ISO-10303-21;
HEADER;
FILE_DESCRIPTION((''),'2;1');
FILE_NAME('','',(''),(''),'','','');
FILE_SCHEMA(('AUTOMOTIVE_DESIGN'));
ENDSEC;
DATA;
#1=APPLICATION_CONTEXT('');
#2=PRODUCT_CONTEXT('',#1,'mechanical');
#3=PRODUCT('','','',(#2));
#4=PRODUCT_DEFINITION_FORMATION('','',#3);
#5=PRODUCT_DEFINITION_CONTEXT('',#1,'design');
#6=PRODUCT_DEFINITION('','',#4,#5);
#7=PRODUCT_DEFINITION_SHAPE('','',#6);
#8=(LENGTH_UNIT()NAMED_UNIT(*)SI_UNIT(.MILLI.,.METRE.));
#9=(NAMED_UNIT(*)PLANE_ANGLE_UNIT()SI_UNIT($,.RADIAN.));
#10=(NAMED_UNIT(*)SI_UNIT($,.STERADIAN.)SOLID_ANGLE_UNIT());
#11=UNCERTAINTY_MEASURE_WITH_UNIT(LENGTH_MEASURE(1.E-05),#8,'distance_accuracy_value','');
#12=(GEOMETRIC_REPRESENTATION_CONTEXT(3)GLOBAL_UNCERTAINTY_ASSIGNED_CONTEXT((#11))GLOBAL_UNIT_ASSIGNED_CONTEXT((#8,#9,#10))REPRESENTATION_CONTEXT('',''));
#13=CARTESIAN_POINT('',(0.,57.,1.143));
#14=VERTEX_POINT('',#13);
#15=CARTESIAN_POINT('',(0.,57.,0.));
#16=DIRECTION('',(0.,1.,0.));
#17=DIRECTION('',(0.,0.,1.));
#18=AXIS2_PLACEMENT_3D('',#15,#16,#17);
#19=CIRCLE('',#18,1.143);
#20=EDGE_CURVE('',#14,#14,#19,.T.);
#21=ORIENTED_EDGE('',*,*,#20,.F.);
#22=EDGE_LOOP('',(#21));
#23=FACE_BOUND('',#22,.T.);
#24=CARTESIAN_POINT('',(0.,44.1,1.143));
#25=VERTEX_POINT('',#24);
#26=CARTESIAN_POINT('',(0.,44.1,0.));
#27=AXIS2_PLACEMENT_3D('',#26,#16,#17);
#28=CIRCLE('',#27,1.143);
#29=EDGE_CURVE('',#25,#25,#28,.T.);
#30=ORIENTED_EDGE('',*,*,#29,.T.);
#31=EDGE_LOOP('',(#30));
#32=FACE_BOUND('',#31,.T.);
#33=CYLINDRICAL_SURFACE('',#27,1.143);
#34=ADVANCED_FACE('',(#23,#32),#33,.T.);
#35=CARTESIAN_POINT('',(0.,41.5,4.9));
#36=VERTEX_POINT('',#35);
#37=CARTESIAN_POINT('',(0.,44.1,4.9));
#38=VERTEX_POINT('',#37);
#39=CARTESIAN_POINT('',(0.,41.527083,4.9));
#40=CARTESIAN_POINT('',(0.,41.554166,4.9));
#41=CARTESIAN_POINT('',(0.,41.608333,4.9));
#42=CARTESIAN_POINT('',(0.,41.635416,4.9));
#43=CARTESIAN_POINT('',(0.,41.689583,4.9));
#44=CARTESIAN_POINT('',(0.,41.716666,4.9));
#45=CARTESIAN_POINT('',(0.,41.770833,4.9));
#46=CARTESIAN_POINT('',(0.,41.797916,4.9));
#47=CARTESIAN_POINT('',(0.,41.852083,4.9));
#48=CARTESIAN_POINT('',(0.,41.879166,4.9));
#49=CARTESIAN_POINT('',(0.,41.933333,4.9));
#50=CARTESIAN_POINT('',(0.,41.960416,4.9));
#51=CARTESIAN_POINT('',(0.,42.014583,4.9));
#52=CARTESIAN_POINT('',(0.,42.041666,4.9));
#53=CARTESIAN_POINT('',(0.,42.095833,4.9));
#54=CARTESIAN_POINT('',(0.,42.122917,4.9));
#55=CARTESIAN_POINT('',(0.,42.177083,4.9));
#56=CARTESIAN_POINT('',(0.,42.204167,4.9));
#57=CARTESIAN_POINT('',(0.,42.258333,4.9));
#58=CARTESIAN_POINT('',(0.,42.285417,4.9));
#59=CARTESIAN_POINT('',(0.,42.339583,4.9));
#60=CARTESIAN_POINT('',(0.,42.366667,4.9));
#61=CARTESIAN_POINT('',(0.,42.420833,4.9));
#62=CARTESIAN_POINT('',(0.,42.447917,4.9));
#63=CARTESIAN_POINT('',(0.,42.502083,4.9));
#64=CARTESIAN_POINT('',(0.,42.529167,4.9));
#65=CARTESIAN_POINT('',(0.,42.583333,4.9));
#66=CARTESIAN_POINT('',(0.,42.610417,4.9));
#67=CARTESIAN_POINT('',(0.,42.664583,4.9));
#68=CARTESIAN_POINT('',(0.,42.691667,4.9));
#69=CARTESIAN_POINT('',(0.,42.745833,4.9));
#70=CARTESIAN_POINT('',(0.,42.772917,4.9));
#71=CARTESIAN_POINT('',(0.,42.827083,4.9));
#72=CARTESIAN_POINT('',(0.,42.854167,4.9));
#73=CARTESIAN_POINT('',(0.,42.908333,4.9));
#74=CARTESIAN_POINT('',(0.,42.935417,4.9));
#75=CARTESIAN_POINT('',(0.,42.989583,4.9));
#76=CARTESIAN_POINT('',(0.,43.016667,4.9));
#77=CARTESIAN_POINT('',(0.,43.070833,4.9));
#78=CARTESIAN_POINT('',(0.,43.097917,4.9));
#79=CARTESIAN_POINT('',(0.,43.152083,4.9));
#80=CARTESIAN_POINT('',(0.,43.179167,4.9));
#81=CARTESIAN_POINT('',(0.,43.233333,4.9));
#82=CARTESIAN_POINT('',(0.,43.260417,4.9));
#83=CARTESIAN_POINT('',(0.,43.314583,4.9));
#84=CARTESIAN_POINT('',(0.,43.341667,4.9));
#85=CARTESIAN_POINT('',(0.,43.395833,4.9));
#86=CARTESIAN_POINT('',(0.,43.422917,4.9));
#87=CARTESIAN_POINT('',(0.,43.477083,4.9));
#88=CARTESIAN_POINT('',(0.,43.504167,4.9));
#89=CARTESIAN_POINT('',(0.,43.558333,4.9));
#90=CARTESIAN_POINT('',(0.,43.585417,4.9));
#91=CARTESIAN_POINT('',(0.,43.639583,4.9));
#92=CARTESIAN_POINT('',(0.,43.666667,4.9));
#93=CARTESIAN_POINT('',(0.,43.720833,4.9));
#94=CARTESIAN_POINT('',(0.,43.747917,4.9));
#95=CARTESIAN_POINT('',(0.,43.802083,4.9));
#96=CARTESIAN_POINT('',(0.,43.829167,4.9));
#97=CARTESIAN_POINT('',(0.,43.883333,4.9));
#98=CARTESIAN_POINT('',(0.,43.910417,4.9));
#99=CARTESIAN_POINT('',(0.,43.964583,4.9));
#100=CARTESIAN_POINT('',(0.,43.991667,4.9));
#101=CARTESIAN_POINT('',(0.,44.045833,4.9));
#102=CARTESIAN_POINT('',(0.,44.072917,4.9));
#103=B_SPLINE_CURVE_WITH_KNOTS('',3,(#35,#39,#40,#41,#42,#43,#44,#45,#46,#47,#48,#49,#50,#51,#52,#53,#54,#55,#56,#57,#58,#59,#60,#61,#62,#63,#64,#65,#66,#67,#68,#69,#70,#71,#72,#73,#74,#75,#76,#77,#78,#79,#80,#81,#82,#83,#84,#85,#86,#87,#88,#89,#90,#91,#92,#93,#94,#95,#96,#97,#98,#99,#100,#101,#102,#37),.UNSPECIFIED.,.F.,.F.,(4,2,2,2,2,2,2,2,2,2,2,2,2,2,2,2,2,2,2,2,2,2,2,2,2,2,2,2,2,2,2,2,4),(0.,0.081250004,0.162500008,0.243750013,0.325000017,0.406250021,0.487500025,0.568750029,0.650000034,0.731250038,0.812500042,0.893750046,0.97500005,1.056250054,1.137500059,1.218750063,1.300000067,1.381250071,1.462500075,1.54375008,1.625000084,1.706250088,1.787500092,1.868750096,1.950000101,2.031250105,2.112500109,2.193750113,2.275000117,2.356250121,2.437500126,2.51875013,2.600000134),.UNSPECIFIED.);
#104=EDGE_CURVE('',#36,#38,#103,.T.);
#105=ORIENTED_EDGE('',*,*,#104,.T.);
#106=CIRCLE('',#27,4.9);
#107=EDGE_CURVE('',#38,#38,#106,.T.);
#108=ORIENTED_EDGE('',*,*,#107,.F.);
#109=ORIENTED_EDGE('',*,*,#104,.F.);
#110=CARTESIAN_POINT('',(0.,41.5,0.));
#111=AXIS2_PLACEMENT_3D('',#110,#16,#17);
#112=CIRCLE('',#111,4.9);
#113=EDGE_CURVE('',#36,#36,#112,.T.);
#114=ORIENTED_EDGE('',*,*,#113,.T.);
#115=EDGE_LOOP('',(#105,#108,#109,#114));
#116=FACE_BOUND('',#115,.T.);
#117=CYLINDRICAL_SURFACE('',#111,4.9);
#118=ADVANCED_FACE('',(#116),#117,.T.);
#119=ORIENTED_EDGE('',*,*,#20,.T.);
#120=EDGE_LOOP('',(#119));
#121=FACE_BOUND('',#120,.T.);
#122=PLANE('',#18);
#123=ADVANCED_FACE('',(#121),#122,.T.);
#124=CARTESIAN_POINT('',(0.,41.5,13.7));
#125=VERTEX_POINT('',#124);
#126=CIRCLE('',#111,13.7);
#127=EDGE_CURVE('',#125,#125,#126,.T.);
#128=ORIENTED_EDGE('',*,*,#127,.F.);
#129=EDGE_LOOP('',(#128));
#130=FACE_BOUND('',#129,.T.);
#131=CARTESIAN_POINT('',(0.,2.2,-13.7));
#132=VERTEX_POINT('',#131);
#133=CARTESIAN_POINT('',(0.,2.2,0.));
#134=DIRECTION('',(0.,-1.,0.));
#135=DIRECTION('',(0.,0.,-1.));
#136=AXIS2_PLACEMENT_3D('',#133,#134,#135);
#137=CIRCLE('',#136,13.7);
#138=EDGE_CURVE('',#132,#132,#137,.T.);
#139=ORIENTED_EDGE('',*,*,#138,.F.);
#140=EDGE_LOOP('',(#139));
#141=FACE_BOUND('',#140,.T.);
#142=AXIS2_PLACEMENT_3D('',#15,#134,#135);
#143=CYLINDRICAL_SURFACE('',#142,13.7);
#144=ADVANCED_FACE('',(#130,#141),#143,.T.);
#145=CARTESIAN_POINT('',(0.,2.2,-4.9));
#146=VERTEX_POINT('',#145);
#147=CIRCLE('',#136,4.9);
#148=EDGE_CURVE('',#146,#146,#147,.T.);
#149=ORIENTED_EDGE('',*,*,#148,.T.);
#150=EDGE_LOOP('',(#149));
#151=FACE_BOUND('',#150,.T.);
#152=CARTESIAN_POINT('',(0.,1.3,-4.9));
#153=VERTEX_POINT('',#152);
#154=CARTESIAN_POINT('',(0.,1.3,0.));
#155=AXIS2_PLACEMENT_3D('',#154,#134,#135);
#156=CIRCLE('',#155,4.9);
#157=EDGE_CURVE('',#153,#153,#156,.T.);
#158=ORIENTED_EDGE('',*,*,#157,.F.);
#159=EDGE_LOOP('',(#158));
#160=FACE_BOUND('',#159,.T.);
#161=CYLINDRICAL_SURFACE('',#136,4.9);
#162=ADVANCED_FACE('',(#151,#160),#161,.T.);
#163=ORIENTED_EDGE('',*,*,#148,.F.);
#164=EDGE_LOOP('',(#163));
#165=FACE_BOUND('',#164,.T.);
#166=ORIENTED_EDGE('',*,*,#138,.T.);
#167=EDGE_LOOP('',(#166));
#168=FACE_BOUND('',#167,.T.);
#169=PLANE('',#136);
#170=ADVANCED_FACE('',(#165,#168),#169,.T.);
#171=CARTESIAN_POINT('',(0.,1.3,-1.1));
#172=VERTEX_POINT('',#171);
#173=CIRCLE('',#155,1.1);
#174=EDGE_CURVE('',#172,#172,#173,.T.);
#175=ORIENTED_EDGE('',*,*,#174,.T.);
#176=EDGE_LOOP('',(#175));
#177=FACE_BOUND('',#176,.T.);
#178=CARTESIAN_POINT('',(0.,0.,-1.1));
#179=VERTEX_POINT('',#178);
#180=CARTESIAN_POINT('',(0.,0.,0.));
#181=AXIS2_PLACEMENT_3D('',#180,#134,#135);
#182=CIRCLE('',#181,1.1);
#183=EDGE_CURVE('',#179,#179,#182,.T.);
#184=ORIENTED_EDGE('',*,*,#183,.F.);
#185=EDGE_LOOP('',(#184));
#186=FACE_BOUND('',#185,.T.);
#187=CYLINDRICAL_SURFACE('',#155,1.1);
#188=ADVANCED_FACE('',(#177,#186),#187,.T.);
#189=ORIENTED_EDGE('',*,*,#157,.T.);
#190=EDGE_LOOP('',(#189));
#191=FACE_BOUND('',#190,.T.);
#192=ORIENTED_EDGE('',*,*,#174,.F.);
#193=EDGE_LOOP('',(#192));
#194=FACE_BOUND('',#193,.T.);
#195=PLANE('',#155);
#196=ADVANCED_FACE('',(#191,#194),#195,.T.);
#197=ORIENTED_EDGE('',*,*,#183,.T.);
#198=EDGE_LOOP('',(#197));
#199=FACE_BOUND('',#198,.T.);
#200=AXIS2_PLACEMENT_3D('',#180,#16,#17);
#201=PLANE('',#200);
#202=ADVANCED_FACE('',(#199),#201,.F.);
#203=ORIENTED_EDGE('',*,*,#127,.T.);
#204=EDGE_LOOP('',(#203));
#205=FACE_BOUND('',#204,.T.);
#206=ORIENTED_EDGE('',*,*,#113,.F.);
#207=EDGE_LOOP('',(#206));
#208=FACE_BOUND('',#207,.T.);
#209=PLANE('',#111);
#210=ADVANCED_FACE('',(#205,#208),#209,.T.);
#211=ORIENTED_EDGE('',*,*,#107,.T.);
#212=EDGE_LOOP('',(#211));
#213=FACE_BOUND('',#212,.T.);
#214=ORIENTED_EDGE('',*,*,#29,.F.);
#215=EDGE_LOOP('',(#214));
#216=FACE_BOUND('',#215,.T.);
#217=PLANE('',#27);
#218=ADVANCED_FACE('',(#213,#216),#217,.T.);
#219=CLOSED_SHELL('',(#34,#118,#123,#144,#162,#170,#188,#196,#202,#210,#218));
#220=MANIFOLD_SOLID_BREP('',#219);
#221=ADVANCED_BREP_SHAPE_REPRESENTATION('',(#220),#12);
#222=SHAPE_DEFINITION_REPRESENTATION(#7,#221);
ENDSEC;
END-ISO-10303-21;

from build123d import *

# Parameters (mm, degrees)
SKETCH2_R           = 13.700000032
BOSS_EXTRUDE1_DEPTH = 57.000000046
SKETCH15_OUTSIDE_W  = 43.184
SKETCH15_OUTSIDE_H  = 43.184
SKETCH15_OUTSIDE_R  = 1.143
CUT_EXTRUDE10_DEPTH = 12.900000108
SKETCH18_OUTSIDE_W  = 43.184
SKETCH18_OUTSIDE_H  = 43.184
SKETCH18_OUTSIDE_R  = 4.899999979
CUT_EXTRUDE13_DEPTH = 2.600000134
SKETCH21_OUTSIDE_W  = 43.184
SKETCH21_OUTSIDE_H  = 43.184
SKETCH21_OUTSIDE_R  = 1.099999959
CUT_EXTRUDE16_DEPTH = 1.299999686
SKETCH23_OUTSIDE_W  = 43.184
SKETCH23_OUTSIDE_H  = 43.184
SKETCH23_OUTSIDE_R  = 4.899999979
CUT_EXTRUDE18_DEPTH = 2.200000172


with BuildPart() as part:
    # Sketch2 → Boss-Extrude1 (new body)
    with BuildSketch(Plane(origin=(0, 0, 0), x_dir=(1, 0, 0), z_dir=(0, 1, 0))):
        with Locations(Location((0, 0, 0), (0, 0, 270))):
            Circle(SKETCH2_R)
    extrude(amount=BOSS_EXTRUDE1_DEPTH)

    # Sketch15 outside → Cut-Extrude10 (cut)
    with BuildSketch(Plane(origin=(0, 57.000000046, 0), x_dir=(1, 0, 0), z_dir=(0, 1, 0))):
        Rectangle(SKETCH15_OUTSIDE_W, SKETCH15_OUTSIDE_H)
        with Locations(Location((0, 0, 0), (0, 0, 270))):
            Circle(SKETCH15_OUTSIDE_R, mode=Mode.SUBTRACT)
    extrude(amount=-CUT_EXTRUDE10_DEPTH, mode=Mode.SUBTRACT)

    # Sketch18 outside → Cut-Extrude13 (cut)
    with BuildSketch(Plane(origin=(0, 44.099999938, 0), x_dir=(1, 0, 0), z_dir=(0, 1, 0))):
        Rectangle(SKETCH18_OUTSIDE_W, SKETCH18_OUTSIDE_H)
        with Locations(Location((0, 0, 0), (0, 0, 270))):
            Circle(SKETCH18_OUTSIDE_R, mode=Mode.SUBTRACT)
    extrude(amount=-CUT_EXTRUDE13_DEPTH, mode=Mode.SUBTRACT)

    # Sketch21 outside → Cut-Extrude16 (cut)
    with BuildSketch(Plane(origin=(0, 0, 0), x_dir=(-1, 0, 0), z_dir=(0, -1, 0))):
        Rectangle(SKETCH21_OUTSIDE_W, SKETCH21_OUTSIDE_H)
        with Locations(Location((0, 0, 0), (0, 0, 90))):
            Circle(SKETCH21_OUTSIDE_R, mode=Mode.SUBTRACT)
    extrude(amount=-CUT_EXTRUDE16_DEPTH, mode=Mode.SUBTRACT)

    # Sketch23 outside → Cut-Extrude18 (cut)
    with BuildSketch(Plane.XZ):
        Rectangle(SKETCH23_OUTSIDE_W, SKETCH23_OUTSIDE_H)
        with Locations(Location((0, 0, 0), (0, 0, 90))):
            Circle(SKETCH23_OUTSIDE_R, mode=Mode.SUBTRACT)
    extrude(amount=-CUT_EXTRUDE18_DEPTH, mode=Mode.SUBTRACT)


solid = part.part
